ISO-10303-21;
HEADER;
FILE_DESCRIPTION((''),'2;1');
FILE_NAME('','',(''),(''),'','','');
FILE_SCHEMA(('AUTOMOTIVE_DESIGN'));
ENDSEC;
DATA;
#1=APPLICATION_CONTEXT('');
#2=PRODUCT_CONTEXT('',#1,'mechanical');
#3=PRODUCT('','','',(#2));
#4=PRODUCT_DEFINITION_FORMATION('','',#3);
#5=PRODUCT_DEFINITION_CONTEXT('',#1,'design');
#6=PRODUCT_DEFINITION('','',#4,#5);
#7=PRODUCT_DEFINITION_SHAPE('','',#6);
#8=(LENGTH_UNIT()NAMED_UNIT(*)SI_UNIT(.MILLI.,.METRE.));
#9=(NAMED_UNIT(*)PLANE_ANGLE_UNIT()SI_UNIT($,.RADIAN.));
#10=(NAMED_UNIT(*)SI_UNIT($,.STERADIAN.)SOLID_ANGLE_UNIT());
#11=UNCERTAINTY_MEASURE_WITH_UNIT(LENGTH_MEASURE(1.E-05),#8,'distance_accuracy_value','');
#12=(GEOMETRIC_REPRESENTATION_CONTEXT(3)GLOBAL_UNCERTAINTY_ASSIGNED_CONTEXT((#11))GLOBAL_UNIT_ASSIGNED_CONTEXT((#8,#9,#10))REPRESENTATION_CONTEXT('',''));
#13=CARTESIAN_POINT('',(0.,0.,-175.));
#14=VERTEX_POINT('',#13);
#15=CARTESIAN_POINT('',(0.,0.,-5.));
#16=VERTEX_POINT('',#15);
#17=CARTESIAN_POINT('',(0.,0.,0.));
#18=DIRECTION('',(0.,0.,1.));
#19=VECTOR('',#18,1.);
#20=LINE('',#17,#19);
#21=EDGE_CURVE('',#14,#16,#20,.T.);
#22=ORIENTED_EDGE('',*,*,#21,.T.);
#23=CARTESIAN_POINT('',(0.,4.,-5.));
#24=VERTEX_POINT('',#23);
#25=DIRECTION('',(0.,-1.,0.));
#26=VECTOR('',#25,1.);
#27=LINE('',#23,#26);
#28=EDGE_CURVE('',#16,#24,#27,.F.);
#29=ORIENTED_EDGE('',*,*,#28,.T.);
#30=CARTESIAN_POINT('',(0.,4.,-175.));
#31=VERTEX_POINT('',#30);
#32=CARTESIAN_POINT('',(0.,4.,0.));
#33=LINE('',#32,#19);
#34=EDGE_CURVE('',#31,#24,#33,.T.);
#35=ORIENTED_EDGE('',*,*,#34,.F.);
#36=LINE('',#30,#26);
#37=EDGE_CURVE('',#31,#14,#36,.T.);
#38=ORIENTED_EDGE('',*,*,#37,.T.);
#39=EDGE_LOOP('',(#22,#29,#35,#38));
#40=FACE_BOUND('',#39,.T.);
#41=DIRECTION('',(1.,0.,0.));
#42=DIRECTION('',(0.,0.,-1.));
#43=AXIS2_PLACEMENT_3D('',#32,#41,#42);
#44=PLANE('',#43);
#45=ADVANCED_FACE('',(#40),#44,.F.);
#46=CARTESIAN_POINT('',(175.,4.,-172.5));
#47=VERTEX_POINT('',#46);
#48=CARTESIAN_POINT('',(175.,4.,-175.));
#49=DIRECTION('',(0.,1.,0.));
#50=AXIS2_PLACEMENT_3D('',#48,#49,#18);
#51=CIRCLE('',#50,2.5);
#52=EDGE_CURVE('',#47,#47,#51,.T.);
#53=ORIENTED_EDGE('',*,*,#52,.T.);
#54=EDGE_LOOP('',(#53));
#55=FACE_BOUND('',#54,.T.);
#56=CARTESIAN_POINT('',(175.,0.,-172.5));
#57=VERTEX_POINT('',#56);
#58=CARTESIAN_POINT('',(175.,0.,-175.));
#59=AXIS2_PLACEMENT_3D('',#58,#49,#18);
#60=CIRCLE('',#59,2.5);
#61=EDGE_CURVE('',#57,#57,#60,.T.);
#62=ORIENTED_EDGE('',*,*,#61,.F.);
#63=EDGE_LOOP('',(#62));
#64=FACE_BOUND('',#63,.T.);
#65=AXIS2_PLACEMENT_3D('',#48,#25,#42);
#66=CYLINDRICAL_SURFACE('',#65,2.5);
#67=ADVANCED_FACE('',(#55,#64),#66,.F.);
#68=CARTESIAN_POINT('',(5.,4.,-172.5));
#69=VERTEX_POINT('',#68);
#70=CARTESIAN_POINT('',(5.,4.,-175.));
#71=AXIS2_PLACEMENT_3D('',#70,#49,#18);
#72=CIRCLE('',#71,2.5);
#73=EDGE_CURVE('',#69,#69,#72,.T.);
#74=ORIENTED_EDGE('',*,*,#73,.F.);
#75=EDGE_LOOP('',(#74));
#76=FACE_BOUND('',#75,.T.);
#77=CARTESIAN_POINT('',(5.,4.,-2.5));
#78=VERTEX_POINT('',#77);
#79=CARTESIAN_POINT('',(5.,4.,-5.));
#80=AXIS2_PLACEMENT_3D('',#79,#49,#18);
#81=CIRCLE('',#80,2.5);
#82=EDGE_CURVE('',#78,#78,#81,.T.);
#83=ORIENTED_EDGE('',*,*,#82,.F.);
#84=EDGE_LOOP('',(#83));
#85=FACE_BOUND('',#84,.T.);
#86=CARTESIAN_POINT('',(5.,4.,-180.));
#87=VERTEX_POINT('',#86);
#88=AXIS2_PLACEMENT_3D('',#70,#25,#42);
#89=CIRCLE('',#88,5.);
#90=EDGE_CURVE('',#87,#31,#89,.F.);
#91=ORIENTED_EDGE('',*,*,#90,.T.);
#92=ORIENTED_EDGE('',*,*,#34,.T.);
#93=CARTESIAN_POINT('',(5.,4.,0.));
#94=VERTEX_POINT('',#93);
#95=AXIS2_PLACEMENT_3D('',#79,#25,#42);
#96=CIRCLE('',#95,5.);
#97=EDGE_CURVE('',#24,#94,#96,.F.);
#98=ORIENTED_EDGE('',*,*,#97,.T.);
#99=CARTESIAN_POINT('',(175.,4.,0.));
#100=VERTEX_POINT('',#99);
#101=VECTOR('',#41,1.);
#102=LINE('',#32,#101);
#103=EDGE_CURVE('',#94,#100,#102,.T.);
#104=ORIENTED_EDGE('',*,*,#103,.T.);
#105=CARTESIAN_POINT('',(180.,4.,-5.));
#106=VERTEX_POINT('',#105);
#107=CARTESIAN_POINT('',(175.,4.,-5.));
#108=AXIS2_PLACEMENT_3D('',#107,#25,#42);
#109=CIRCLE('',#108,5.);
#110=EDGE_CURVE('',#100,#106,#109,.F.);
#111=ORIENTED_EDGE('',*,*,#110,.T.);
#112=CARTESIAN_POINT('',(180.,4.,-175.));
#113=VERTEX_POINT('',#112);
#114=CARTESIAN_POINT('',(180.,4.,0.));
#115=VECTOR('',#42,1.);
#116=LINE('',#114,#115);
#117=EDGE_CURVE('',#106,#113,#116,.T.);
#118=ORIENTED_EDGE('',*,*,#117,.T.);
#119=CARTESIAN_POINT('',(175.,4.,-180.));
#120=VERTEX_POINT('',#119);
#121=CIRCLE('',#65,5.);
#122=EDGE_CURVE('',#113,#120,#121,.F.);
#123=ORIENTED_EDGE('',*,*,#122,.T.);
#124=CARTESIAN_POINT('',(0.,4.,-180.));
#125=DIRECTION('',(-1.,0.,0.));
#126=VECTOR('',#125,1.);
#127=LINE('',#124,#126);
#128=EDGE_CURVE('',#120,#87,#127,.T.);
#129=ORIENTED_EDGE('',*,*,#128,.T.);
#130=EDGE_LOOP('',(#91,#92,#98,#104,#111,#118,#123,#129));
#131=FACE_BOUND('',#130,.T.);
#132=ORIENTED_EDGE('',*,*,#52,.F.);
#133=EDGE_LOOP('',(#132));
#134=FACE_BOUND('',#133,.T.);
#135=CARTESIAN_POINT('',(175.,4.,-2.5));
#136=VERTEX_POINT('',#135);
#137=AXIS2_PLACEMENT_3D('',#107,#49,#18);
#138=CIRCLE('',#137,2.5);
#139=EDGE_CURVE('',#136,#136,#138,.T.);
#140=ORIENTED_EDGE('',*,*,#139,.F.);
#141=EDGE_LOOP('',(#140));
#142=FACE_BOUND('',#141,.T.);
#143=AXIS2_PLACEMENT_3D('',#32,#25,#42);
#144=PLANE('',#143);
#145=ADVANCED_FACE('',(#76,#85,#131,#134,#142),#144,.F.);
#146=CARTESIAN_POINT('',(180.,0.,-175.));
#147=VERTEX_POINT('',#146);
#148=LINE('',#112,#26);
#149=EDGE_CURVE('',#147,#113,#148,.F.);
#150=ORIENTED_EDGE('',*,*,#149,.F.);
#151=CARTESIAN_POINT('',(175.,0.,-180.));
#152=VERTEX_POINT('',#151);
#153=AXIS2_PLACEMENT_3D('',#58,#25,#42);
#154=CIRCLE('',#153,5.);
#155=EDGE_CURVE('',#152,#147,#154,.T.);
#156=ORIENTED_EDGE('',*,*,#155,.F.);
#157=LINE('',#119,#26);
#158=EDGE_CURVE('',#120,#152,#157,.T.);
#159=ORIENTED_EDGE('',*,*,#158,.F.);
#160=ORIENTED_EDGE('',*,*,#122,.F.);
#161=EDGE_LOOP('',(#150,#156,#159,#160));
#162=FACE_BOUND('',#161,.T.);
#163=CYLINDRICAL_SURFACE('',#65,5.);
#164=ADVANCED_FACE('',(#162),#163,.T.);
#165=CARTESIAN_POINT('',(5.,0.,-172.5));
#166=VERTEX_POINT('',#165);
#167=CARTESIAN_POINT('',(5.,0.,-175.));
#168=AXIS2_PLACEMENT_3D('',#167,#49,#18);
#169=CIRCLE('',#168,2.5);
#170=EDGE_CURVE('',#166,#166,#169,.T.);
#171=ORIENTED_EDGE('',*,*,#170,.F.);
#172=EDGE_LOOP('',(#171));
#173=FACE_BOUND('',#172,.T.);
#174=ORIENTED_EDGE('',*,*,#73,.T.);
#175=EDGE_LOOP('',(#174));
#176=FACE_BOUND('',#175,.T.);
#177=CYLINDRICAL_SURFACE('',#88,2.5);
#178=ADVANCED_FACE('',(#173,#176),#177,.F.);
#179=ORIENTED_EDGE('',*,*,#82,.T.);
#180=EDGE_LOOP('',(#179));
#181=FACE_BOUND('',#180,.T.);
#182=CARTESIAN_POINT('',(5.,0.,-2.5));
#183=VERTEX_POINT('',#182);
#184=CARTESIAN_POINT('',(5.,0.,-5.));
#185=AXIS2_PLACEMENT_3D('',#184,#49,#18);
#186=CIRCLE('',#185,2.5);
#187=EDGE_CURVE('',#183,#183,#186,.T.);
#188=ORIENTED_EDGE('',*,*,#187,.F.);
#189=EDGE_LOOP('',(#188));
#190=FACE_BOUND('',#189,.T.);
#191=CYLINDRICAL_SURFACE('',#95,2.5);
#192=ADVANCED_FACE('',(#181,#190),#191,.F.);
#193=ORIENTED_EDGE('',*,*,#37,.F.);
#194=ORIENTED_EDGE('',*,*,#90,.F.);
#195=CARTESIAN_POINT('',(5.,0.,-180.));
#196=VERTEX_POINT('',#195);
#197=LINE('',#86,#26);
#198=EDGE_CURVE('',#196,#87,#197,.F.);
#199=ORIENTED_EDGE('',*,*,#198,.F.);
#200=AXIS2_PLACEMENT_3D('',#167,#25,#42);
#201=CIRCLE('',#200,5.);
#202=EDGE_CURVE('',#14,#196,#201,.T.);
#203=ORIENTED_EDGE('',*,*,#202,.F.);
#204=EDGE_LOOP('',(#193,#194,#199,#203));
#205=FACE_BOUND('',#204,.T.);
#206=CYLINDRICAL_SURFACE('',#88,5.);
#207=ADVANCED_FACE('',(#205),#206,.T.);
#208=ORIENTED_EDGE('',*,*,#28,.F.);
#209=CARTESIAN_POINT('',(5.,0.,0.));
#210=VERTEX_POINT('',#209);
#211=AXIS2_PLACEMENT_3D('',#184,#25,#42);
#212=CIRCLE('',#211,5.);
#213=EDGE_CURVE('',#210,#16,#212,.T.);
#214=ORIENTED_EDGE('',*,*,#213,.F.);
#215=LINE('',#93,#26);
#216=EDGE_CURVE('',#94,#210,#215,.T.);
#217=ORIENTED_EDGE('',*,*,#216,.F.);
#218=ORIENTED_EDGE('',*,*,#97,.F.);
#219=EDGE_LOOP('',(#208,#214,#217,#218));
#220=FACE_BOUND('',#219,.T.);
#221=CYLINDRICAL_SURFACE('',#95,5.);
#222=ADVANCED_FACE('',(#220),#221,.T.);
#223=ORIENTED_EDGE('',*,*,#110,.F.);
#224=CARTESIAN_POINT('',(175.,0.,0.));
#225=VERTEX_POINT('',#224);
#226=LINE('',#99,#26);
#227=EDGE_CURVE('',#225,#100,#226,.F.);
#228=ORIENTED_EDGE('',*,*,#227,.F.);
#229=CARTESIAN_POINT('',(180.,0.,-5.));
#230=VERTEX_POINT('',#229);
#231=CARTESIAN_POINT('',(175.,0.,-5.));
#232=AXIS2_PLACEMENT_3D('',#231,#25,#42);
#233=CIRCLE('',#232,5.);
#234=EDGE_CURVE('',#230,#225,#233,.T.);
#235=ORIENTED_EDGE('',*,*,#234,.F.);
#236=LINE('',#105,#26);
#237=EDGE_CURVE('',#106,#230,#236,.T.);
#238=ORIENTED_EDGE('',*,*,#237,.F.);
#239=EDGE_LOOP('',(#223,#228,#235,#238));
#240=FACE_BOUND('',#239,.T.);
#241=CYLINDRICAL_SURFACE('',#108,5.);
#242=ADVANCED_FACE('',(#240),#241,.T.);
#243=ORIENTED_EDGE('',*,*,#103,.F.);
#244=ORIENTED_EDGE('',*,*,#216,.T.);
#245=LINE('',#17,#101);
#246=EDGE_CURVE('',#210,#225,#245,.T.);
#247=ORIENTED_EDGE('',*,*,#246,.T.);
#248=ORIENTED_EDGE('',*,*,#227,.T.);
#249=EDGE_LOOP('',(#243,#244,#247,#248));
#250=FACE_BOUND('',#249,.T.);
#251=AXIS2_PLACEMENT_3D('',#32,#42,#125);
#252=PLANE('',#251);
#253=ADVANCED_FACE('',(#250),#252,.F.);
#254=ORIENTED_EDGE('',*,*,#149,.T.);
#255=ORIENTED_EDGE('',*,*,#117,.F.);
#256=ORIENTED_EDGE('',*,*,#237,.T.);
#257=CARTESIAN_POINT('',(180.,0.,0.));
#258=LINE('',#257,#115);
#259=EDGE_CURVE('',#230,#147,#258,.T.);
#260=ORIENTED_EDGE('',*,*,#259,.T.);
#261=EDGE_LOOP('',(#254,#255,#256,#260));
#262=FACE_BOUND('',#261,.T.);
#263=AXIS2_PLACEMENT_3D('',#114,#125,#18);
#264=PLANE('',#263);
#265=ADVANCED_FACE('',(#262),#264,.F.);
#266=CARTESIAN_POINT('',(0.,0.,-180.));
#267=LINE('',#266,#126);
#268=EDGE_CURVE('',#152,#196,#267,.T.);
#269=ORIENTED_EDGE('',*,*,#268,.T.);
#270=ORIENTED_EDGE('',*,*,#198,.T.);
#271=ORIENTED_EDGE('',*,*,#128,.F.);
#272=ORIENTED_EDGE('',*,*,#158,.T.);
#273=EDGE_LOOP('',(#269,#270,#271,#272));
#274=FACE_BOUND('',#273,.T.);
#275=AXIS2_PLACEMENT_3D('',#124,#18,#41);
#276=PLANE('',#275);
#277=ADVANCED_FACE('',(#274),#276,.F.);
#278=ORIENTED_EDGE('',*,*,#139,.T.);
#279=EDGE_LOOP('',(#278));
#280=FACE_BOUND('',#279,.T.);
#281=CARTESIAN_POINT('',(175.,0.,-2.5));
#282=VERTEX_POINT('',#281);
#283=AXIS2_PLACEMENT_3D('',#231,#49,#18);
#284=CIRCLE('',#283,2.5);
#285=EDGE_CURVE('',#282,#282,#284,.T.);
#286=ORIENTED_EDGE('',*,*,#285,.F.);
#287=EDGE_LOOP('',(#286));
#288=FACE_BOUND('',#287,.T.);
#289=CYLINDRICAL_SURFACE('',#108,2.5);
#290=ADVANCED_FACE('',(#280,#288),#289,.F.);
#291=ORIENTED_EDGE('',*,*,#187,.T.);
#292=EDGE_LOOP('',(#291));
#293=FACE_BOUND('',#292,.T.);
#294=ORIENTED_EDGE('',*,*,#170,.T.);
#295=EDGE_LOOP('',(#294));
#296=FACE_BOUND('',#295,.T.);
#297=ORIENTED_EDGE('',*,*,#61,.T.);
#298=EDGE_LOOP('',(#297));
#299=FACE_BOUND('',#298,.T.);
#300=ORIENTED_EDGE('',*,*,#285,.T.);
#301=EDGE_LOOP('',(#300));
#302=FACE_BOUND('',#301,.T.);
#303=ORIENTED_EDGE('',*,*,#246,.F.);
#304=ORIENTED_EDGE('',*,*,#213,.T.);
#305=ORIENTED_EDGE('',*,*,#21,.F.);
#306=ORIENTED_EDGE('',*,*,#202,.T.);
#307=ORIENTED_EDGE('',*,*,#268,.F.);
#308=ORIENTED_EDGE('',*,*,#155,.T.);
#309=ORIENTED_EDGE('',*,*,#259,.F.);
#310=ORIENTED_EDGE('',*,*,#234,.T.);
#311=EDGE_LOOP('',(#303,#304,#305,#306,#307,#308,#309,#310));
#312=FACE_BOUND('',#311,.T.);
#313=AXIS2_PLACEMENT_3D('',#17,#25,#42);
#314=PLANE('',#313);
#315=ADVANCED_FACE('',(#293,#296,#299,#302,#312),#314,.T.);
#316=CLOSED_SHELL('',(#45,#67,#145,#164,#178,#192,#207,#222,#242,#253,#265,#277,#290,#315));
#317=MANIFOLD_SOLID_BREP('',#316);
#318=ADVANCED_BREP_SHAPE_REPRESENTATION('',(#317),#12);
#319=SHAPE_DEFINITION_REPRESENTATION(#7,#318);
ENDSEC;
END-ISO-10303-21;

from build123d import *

# Parameters (mm, degrees)
CROQUIS1_W              = 180
CROQUIS1_H              = 180
CROQUIS1_R              = 2.5
SALIENTE_EXTRUIR1_DEPTH = 4
REDONDEO1_R             = 5


with BuildPart() as part:
    # Croquis1 → Saliente-Extruir1 (new body)
    with BuildSketch(Plane(origin=(0, 0, 0), x_dir=(1, 0, 0), z_dir=(0, 1, 0))):
        with Locations((90, 90)):
            Rectangle(CROQUIS1_W, CROQUIS1_H)
        with Locations(Location((5, 175, 0), (0, 0, 270))):
            Circle(CROQUIS1_R, mode=Mode.SUBTRACT)
        with Locations(Location((175, 175, 0), (0, 0, 270))):
            Circle(CROQUIS1_R, mode=Mode.SUBTRACT)
        with Locations(Location((175, 5, 0), (0, 0, 270))):
            Circle(CROQUIS1_R, mode=Mode.SUBTRACT)
        with Locations(Location((5, 5, 0), (0, 0, 270))):
            Circle(CROQUIS1_R, mode=Mode.SUBTRACT)
    extrude(amount=SALIENTE_EXTRUIR1_DEPTH)

    # Redondeo1
    redondeo1_edges = [part.edges().sort_by_distance(p)[0] for p in [
        (0, 2, -180),
        (180, 2, -180),
        (180, 2, 0),
        (0, 2, 0),
    ]]
    fillet(redondeo1_edges, radius=REDONDEO1_R)


solid = part.part
